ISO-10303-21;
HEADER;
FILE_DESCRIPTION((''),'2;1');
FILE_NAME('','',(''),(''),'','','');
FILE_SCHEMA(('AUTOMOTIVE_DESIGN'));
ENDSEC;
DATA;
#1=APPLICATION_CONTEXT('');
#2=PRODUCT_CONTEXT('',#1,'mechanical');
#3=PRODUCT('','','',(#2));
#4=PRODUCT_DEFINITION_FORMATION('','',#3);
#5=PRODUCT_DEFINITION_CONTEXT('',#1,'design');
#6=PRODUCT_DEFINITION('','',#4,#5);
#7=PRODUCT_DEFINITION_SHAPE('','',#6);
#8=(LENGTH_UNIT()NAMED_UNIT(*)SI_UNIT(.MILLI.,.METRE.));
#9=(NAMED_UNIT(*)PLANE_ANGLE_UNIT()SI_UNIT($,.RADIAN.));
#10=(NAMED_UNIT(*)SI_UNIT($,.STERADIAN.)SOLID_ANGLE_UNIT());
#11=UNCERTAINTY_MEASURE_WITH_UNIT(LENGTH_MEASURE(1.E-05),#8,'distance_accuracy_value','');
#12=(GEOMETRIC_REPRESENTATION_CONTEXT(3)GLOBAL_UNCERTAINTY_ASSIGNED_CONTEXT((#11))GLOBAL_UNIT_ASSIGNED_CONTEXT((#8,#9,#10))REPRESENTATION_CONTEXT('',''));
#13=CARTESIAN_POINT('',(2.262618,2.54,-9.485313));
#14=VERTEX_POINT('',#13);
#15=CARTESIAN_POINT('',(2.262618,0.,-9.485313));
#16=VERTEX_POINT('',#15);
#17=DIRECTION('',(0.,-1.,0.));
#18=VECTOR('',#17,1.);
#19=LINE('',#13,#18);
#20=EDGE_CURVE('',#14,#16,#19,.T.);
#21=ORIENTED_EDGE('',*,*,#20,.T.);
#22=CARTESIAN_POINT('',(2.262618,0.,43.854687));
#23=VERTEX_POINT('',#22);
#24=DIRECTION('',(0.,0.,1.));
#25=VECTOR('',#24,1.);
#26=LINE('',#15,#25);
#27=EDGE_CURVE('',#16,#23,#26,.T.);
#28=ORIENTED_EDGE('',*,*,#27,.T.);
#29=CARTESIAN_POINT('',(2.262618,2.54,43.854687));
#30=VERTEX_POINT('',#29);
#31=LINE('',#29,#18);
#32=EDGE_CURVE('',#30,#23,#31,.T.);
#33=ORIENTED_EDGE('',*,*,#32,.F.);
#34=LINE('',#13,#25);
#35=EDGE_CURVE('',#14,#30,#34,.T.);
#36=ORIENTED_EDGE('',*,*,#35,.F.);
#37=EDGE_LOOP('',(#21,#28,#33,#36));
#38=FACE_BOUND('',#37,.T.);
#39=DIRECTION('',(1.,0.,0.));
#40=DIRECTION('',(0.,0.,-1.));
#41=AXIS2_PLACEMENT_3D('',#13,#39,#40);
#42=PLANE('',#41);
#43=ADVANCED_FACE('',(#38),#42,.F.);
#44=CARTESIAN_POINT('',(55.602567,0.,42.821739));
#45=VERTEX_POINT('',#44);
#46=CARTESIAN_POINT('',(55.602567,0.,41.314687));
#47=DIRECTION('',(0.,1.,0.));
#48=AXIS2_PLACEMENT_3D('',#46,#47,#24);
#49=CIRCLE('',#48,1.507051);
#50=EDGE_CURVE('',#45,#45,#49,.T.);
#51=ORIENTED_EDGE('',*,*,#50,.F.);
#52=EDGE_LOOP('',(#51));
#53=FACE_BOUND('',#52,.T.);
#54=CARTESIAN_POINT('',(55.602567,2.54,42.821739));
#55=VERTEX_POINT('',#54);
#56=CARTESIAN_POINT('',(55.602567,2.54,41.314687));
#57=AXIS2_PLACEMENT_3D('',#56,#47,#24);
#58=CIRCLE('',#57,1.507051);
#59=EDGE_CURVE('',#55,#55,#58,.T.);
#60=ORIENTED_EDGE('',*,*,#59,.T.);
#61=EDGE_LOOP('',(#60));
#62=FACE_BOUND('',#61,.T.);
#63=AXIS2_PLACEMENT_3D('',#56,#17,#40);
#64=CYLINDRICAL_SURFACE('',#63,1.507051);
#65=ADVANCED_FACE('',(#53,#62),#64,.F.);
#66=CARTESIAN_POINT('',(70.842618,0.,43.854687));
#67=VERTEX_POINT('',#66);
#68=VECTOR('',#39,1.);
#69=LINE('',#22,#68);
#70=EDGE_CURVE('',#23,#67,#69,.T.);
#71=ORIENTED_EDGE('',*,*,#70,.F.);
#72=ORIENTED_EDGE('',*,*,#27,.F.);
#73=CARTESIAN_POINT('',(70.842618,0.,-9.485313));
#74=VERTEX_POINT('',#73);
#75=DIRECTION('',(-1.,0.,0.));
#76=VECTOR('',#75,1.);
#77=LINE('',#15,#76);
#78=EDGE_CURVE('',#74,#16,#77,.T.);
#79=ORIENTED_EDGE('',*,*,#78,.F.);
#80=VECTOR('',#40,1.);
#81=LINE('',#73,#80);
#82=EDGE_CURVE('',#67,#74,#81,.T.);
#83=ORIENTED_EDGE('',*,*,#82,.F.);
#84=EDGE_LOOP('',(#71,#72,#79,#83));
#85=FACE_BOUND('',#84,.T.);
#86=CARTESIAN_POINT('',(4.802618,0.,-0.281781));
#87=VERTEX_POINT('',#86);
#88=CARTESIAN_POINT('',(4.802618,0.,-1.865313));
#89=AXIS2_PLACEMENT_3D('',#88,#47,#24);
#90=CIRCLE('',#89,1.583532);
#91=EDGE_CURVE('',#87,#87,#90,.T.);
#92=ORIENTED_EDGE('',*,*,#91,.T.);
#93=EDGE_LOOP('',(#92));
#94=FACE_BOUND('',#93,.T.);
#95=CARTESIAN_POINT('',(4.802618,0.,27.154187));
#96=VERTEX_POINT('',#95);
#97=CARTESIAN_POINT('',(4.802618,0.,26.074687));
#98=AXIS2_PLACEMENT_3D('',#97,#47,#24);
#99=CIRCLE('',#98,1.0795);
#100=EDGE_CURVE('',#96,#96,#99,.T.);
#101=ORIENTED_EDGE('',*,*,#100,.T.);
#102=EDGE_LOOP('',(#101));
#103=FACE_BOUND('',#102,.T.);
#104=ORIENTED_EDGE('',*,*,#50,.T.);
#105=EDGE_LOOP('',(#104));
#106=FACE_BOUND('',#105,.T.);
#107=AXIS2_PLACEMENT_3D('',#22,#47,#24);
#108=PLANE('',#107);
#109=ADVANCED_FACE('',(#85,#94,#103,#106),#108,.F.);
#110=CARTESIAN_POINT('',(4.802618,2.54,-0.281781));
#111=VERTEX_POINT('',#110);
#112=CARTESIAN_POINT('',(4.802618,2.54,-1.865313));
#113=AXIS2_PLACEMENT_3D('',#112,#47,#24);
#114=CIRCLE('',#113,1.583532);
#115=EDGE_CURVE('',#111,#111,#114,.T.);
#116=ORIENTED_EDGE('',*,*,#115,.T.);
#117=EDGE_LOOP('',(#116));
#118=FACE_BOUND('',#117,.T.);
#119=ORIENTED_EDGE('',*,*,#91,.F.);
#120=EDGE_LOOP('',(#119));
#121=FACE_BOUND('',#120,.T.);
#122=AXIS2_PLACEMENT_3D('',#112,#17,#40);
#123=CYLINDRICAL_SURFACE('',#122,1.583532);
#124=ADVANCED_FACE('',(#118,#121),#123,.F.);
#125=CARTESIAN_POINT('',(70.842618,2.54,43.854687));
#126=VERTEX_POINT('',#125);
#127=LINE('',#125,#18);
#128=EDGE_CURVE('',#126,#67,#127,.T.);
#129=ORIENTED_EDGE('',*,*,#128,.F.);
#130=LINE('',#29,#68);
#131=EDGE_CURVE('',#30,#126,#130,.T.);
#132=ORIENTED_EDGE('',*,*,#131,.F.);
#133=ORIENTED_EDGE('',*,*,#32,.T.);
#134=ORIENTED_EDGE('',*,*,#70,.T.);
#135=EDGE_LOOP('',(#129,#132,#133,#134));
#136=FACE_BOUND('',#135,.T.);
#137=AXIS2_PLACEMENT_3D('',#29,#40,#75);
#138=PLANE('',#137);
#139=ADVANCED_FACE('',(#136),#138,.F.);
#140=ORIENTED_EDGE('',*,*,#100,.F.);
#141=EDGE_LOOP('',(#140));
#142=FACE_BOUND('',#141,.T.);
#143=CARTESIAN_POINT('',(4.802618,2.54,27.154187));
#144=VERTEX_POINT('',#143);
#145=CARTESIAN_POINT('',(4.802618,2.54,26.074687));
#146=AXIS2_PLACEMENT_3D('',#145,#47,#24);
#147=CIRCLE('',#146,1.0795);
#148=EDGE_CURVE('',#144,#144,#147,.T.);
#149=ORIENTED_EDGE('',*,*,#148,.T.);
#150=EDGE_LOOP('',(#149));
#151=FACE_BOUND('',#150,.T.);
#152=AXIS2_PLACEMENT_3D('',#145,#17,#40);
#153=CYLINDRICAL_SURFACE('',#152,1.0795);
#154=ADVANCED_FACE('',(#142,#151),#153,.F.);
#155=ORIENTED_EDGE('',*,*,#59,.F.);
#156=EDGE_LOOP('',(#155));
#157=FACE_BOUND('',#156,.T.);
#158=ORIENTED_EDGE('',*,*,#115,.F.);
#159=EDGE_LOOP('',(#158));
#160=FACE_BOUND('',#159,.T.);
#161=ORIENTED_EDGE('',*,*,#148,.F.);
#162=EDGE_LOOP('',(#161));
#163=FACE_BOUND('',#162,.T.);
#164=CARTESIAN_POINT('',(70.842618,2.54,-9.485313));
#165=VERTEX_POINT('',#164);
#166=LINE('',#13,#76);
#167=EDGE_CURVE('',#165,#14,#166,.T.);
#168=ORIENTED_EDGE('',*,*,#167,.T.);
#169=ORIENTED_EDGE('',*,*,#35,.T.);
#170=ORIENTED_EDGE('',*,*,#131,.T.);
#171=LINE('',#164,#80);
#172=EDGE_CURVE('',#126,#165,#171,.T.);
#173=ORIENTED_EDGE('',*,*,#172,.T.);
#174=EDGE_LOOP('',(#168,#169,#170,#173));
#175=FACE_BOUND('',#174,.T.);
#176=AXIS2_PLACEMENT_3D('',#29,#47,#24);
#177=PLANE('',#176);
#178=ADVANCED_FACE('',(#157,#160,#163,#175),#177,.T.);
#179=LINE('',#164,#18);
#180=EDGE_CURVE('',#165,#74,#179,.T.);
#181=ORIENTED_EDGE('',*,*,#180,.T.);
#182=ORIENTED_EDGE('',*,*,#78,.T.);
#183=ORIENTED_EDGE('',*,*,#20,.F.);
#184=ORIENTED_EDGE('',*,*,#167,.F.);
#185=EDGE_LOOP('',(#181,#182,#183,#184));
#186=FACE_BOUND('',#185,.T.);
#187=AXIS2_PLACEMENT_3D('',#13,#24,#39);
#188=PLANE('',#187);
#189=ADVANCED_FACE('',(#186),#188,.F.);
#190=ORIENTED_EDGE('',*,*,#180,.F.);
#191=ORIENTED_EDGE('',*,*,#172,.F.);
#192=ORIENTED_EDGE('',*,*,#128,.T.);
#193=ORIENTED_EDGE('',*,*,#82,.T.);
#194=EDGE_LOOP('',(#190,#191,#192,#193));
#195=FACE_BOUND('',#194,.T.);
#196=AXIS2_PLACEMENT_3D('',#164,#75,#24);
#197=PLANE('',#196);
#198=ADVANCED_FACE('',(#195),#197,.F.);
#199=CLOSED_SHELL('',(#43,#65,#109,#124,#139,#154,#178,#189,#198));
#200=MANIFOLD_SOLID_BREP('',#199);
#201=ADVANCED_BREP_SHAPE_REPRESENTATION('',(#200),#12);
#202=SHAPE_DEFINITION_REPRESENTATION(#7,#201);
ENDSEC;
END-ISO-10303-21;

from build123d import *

# Parameters (mm, degrees)
SKETCH2_W      = 68.58
SKETCH2_H      = 53.34
SKETCH2_R      = 1.58353158
SKETCH2_R_2    = 1.50705101
SKETCH2_R_3    = 1.0795
EXTRUDE1_DEPTH = 2.54


with BuildPart() as part:
    # Sketch2 → Extrude1 (new body)
    with BuildSketch(Plane(origin=(0, 0, 0), x_dir=(1, 0, 0), z_dir=(0, 1, 0))):
        with Locations((36.552617603, -17.1846875)):
            Rectangle(SKETCH2_W, SKETCH2_H)
        with Locations(Location((4.802617603, 1.8653125, 0), (0, 0, 270))):
            Circle(SKETCH2_R, mode=Mode.SUBTRACT)
        with Locations(Location((55.602566803, -41.3146875, 0), (0, 0, 270))):
            Circle(SKETCH2_R_2, mode=Mode.SUBTRACT)
        with Locations(Location((4.802617603, -26.0746875, 0), (0, 0, 270))):
            Circle(SKETCH2_R_3, mode=Mode.SUBTRACT)
    extrude(amount=EXTRUDE1_DEPTH)


solid = part.part
